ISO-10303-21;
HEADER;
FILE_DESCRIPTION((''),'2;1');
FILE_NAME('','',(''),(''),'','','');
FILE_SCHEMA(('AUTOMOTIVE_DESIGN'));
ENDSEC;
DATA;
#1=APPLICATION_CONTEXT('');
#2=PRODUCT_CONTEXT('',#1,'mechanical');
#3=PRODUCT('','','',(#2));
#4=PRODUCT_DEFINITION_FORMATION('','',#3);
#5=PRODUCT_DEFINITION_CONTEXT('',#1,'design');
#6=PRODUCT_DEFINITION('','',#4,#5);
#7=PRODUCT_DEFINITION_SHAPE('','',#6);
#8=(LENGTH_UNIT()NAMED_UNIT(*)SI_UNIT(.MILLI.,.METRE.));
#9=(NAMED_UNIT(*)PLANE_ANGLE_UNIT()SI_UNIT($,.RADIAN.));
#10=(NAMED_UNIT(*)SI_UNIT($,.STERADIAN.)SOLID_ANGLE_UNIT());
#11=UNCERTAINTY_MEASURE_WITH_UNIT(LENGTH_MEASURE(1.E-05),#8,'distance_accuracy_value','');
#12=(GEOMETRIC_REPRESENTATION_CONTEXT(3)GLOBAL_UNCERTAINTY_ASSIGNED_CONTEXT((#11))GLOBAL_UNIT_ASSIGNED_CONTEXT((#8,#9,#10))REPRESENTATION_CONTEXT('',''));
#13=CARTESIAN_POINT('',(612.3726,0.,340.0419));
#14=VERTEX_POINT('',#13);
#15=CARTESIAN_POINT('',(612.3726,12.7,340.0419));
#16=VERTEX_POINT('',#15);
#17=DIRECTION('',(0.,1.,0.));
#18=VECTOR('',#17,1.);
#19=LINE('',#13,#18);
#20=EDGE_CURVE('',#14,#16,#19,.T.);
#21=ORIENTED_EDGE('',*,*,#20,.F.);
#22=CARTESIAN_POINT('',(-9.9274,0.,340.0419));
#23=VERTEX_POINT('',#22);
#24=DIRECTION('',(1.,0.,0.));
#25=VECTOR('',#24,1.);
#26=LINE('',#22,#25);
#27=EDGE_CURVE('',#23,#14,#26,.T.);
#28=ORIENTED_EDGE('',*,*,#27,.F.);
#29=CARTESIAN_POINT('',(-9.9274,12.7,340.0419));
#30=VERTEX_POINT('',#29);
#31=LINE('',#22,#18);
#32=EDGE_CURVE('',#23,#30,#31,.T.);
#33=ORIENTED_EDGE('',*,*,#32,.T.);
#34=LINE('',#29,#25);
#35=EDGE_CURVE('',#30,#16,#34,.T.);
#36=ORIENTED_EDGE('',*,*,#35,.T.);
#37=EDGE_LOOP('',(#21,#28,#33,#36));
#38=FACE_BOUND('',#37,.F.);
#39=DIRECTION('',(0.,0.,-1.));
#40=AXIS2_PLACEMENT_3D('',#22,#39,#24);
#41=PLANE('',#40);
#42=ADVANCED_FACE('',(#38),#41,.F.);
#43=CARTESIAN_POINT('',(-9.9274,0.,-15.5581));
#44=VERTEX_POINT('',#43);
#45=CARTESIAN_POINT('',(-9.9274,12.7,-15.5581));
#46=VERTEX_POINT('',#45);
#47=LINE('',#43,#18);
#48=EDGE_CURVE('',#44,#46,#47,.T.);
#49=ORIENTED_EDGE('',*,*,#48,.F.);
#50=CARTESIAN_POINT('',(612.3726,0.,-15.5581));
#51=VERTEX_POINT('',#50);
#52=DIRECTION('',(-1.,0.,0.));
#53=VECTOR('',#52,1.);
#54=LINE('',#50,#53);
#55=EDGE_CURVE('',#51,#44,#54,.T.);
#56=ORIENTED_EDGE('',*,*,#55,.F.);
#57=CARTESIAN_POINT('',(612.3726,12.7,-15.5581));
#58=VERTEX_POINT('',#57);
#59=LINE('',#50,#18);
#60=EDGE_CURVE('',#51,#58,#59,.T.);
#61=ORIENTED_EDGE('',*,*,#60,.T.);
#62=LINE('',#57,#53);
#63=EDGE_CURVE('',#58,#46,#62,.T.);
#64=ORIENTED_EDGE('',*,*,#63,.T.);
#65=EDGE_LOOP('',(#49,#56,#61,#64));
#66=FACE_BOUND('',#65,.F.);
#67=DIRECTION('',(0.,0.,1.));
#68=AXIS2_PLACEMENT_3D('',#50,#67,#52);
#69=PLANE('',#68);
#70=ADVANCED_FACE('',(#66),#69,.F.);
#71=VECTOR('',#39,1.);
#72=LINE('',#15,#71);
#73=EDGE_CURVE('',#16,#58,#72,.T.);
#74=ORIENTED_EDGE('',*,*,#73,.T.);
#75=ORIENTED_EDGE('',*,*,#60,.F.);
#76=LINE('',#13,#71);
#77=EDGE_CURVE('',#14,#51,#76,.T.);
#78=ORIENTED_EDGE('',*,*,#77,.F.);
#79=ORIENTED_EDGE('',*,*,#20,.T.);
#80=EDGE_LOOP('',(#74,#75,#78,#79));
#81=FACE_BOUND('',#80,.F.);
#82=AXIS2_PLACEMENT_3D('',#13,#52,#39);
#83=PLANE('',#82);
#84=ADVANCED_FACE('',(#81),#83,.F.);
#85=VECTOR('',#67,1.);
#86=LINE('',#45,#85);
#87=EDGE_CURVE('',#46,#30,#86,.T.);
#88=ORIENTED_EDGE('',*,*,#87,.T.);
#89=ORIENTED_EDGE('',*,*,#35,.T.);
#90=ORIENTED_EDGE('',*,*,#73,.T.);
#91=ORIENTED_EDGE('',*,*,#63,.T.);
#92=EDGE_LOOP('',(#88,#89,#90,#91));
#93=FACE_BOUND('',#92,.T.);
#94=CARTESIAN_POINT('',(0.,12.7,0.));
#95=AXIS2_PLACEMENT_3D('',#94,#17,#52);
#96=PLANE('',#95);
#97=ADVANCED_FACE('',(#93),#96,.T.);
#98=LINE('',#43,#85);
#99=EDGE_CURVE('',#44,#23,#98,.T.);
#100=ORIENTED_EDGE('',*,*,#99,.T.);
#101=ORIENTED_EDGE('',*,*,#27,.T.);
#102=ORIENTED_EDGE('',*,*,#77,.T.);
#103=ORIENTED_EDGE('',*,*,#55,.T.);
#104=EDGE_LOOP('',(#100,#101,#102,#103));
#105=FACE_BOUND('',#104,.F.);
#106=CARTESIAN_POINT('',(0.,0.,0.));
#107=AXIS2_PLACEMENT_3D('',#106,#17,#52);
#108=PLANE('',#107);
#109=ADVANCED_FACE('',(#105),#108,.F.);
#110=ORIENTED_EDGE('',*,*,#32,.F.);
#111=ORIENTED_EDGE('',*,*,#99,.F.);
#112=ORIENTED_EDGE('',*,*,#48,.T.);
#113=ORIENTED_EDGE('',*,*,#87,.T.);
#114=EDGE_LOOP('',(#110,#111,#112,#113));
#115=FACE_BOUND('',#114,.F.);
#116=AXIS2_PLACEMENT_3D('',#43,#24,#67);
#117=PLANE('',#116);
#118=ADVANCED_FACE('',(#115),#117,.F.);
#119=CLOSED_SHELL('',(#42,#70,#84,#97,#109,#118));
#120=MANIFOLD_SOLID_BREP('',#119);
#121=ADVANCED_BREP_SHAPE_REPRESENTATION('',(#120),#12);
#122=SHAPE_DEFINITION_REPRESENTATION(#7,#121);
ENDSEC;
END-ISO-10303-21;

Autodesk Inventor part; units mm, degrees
ref_plane "YZ Plane" through (0, 0, 0) normal (1, 0, 0) x (0, 1, 0)
ref_plane "XZ Plane" through (0, 0, 0) normal (0, 1, 0) x (-1, 0, 0)
ref_plane "XY Plane" through (0, 0, 0) normal (0, 0, 1) x (1, 0, 0)
sketch "Sketch1" plane through (0, 0, 0) normal (0, 1, 0) x (-1, 0, 0)
  line L0 (9.9274, 340.0419) -> (-612.3726, 340.0419)
  line L1 (-612.3726, 340.0419) -> (-612.3726, -15.5581)
  line L2 (-612.3726, -15.5581) -> (9.9274, -15.5581)
  line L3 (9.9274, -15.5581) -> (9.9274, 340.0419)
  point P0 (0, 0)
  dimension "d0" = 622.3
  dimension "d1" = 355.6
extrude "Extrusion1" add sketch "Sketch1" along normal blind 12.7
properties part number "swerve_polyc" material "Polycarbonate, Smoke"
